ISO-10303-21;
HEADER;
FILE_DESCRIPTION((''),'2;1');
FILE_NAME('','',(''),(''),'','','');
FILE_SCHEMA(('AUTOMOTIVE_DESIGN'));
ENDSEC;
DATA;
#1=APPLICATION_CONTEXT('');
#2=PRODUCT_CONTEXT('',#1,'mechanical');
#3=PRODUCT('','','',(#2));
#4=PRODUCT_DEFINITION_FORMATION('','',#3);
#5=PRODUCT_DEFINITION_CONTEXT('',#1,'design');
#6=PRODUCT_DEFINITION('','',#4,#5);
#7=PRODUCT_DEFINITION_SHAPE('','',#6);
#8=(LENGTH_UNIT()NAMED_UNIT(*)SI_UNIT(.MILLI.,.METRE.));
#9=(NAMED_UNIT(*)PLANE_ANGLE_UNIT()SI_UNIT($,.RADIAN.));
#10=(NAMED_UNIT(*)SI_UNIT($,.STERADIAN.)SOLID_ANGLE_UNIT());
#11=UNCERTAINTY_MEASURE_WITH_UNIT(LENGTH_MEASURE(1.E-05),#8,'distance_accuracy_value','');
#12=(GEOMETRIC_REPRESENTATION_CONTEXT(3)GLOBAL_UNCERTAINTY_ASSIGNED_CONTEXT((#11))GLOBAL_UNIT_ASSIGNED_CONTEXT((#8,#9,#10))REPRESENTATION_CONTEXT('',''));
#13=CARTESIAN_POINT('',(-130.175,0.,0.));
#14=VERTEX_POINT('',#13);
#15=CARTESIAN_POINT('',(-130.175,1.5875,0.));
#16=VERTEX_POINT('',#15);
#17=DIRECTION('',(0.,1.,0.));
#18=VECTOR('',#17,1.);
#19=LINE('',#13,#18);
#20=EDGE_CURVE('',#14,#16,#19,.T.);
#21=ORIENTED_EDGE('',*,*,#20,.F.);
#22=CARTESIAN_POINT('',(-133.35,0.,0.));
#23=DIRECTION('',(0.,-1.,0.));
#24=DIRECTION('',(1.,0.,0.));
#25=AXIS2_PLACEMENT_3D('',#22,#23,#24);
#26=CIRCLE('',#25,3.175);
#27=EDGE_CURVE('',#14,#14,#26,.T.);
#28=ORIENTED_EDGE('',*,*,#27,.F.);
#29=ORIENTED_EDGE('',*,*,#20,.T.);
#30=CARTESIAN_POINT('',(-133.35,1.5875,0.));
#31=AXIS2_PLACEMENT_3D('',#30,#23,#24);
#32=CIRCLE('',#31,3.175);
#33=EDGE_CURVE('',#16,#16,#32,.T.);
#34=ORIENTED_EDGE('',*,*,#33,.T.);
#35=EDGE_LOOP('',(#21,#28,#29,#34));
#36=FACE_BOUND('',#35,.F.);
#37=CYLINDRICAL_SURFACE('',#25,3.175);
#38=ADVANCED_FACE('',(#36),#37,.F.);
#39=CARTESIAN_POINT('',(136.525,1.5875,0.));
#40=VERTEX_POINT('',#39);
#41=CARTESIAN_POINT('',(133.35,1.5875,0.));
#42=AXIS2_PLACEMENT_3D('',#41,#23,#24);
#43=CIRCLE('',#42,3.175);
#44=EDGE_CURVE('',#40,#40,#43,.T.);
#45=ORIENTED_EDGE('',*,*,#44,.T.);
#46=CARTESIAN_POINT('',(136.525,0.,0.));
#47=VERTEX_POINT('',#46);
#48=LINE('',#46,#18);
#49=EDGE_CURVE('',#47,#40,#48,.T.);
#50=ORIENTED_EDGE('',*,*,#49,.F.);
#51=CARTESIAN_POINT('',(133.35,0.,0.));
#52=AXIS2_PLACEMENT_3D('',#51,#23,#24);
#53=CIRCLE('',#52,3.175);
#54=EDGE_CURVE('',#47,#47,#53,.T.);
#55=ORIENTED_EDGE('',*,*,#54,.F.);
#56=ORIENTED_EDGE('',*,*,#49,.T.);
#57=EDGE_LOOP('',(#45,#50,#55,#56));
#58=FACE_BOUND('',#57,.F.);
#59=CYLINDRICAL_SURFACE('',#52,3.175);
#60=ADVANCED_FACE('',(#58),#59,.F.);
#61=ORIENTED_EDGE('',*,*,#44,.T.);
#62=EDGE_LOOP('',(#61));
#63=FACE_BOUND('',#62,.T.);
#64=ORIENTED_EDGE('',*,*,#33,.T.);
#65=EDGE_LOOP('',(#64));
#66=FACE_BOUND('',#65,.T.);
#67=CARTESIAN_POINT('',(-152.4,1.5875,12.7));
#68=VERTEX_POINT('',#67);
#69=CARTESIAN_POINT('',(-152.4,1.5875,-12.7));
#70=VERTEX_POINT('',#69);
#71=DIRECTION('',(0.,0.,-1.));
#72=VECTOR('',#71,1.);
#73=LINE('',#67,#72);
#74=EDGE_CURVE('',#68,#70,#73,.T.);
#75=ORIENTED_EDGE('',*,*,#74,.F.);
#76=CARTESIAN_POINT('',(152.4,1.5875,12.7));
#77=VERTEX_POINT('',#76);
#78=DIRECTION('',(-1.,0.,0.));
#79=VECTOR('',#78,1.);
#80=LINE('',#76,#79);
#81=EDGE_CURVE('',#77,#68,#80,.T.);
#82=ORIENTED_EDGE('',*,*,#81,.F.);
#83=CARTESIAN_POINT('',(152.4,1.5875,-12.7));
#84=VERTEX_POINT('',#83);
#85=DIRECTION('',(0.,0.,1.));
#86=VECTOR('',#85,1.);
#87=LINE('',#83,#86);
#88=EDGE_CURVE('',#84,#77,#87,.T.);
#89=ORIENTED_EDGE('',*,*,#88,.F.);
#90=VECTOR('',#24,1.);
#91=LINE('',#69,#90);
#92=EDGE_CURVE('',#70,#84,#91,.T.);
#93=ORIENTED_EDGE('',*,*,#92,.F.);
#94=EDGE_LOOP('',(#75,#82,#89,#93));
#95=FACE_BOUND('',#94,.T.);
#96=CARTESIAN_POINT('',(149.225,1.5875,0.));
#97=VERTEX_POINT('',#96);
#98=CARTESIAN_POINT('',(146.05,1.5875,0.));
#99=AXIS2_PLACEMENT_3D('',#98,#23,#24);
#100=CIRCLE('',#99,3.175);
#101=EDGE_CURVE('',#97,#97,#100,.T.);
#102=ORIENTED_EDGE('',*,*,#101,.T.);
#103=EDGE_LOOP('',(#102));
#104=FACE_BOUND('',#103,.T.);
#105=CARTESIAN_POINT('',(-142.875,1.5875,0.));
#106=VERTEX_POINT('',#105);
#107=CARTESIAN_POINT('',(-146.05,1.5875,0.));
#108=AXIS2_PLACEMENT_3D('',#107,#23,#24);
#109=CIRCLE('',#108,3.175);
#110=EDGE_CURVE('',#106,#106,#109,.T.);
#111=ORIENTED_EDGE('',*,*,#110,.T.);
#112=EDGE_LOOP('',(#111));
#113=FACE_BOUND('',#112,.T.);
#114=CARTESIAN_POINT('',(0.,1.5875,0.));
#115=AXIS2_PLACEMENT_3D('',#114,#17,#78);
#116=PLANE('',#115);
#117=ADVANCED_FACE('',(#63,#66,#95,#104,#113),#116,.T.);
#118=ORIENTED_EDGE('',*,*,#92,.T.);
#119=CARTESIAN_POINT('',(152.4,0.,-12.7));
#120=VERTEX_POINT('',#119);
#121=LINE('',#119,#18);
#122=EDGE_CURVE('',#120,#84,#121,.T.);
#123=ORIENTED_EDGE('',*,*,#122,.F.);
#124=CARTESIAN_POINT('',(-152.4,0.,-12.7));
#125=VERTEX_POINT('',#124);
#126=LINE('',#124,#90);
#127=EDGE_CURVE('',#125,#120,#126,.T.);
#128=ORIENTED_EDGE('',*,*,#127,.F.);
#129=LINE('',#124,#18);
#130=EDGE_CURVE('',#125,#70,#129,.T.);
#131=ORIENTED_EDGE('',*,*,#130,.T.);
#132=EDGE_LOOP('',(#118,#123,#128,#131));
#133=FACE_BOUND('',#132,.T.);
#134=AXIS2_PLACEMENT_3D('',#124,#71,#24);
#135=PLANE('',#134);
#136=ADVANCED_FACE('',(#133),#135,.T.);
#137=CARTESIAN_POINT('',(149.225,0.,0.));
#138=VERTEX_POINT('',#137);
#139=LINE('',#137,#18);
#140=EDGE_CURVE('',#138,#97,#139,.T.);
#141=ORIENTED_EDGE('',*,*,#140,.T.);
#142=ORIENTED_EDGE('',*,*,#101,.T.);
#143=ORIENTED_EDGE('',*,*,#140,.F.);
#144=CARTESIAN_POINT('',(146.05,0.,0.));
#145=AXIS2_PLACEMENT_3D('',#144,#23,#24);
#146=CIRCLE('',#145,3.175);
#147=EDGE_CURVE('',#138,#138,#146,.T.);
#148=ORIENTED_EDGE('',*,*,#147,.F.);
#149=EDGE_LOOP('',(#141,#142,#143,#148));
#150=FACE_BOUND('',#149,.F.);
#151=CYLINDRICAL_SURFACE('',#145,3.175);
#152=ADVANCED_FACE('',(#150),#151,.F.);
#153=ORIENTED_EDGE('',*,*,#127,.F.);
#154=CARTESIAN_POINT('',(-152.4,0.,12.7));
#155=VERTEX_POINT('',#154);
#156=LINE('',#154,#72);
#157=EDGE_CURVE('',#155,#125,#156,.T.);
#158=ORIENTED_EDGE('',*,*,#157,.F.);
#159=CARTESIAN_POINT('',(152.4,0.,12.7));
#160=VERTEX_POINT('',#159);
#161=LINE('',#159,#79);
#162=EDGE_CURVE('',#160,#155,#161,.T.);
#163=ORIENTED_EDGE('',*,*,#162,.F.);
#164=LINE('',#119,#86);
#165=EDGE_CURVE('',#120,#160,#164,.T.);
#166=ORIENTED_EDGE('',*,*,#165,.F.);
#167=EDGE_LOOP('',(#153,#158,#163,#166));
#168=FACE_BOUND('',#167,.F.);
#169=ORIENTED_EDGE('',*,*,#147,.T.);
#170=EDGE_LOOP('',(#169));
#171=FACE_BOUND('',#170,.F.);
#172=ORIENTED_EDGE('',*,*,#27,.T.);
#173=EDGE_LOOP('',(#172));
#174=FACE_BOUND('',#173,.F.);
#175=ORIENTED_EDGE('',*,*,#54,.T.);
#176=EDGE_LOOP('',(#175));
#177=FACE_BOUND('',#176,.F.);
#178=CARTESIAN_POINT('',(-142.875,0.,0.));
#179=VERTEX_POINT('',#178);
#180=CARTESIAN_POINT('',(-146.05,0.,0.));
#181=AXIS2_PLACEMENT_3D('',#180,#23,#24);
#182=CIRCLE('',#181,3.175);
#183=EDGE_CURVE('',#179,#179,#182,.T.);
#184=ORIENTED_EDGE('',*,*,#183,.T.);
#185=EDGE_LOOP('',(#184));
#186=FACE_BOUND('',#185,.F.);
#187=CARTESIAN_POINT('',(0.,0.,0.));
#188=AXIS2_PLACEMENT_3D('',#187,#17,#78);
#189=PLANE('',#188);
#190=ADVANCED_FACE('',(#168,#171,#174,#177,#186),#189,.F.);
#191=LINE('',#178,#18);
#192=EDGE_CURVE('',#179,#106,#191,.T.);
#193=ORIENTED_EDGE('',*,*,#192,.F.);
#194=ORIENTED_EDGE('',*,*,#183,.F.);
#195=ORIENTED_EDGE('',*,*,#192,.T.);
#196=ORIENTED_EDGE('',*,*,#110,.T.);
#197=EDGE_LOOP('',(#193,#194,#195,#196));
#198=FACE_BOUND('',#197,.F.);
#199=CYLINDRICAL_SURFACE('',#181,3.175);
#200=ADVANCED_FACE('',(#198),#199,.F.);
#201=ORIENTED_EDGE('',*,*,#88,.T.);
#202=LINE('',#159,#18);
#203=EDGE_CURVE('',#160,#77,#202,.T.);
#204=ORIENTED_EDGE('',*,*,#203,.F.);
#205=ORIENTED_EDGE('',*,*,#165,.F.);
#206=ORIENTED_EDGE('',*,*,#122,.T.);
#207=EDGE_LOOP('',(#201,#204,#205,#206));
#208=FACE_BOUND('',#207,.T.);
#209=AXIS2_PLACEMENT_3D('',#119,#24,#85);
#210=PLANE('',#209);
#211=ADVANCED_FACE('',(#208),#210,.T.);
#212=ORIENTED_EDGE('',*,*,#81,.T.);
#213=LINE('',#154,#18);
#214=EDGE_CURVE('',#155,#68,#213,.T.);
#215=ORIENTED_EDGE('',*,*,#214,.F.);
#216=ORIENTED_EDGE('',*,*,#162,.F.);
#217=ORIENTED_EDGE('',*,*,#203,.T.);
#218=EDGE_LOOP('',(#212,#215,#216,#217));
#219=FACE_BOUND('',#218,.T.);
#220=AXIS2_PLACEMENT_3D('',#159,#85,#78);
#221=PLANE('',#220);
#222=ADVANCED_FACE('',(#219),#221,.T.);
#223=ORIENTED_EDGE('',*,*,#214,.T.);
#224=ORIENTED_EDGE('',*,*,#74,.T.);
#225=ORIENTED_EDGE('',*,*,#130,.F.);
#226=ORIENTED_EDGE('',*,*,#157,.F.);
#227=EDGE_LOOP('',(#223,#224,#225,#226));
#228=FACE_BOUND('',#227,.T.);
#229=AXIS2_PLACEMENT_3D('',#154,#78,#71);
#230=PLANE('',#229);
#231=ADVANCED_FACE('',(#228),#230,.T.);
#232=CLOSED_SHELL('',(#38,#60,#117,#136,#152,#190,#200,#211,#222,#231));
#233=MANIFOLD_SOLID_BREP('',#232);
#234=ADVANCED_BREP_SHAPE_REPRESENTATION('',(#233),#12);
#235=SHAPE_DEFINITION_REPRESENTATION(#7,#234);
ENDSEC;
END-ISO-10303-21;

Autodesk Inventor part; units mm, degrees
ref_plane "YZ Plane" through (0, 0, 0) normal (1, 0, 0) x (0, 1, 0)
ref_plane "XZ Plane" through (0, 0, 0) normal (0, 1, 0) x (-1, 0, 0)
ref_plane "XY Plane" through (0, 0, 0) normal (0, 0, 1) x (1, 0, 0)
sketch "Sketch2" plane through (0, 0, 0) normal (0, 1, 0) x (-1, 0, 0)
  line L0 (-152.4, 12.7) -> (152.4, 12.7)
  line L1 (152.4, 12.7) -> (152.4, -12.7)
  line L2 (152.4, -12.7) -> (-152.4, -12.7)
  line L3 (-152.4, -12.7) -> (-152.4, 12.7)
  line L4 (-152.4, 12.7) -> (152.4, -12.7) construction
  point P0 (0, 0)
  point P1 (0, 0)
  dimension "d0" = 25.4
  dimension "d1" = 304.8
extrude "Extrusion1" add sketch "Sketch2" along normal blind 1.5875
sketch "Sketch3" plane through (0, 0, 0) normal (0, -1, 0) x (1, 0, 0)
  line L0 (152.4, 12.7) -> (-152.4, 12.7) projected
  line L1 (-152.4, -12.7) -> (152.4, -12.7) projected
  line L2 (152.4, -12.7) -> (152.4, 12.7) projected
  line L3 (152.4, 0) -> (133.0754, 0) construction
  line L4 (0, 12.7) -> (0, -12.7) construction
  circle A0 centre (146.05, 0) radius 3.175
  circle A1 centre (133.35, 0) radius 3.175
  circle A2 centre (-146.05, 0) radius 3.175
  circle A3 centre (-133.35, 0) radius 3.175
  point P0 (0, 0)
  dimension "d4" = 6.35
  dimension "d5" = 6.35
  dimension "d6" = 12.7
extrude "Extrusion2" cut sketch "Sketch3" against normal up to next
properties part number "FrameMember" material "Aluminum 6061"
